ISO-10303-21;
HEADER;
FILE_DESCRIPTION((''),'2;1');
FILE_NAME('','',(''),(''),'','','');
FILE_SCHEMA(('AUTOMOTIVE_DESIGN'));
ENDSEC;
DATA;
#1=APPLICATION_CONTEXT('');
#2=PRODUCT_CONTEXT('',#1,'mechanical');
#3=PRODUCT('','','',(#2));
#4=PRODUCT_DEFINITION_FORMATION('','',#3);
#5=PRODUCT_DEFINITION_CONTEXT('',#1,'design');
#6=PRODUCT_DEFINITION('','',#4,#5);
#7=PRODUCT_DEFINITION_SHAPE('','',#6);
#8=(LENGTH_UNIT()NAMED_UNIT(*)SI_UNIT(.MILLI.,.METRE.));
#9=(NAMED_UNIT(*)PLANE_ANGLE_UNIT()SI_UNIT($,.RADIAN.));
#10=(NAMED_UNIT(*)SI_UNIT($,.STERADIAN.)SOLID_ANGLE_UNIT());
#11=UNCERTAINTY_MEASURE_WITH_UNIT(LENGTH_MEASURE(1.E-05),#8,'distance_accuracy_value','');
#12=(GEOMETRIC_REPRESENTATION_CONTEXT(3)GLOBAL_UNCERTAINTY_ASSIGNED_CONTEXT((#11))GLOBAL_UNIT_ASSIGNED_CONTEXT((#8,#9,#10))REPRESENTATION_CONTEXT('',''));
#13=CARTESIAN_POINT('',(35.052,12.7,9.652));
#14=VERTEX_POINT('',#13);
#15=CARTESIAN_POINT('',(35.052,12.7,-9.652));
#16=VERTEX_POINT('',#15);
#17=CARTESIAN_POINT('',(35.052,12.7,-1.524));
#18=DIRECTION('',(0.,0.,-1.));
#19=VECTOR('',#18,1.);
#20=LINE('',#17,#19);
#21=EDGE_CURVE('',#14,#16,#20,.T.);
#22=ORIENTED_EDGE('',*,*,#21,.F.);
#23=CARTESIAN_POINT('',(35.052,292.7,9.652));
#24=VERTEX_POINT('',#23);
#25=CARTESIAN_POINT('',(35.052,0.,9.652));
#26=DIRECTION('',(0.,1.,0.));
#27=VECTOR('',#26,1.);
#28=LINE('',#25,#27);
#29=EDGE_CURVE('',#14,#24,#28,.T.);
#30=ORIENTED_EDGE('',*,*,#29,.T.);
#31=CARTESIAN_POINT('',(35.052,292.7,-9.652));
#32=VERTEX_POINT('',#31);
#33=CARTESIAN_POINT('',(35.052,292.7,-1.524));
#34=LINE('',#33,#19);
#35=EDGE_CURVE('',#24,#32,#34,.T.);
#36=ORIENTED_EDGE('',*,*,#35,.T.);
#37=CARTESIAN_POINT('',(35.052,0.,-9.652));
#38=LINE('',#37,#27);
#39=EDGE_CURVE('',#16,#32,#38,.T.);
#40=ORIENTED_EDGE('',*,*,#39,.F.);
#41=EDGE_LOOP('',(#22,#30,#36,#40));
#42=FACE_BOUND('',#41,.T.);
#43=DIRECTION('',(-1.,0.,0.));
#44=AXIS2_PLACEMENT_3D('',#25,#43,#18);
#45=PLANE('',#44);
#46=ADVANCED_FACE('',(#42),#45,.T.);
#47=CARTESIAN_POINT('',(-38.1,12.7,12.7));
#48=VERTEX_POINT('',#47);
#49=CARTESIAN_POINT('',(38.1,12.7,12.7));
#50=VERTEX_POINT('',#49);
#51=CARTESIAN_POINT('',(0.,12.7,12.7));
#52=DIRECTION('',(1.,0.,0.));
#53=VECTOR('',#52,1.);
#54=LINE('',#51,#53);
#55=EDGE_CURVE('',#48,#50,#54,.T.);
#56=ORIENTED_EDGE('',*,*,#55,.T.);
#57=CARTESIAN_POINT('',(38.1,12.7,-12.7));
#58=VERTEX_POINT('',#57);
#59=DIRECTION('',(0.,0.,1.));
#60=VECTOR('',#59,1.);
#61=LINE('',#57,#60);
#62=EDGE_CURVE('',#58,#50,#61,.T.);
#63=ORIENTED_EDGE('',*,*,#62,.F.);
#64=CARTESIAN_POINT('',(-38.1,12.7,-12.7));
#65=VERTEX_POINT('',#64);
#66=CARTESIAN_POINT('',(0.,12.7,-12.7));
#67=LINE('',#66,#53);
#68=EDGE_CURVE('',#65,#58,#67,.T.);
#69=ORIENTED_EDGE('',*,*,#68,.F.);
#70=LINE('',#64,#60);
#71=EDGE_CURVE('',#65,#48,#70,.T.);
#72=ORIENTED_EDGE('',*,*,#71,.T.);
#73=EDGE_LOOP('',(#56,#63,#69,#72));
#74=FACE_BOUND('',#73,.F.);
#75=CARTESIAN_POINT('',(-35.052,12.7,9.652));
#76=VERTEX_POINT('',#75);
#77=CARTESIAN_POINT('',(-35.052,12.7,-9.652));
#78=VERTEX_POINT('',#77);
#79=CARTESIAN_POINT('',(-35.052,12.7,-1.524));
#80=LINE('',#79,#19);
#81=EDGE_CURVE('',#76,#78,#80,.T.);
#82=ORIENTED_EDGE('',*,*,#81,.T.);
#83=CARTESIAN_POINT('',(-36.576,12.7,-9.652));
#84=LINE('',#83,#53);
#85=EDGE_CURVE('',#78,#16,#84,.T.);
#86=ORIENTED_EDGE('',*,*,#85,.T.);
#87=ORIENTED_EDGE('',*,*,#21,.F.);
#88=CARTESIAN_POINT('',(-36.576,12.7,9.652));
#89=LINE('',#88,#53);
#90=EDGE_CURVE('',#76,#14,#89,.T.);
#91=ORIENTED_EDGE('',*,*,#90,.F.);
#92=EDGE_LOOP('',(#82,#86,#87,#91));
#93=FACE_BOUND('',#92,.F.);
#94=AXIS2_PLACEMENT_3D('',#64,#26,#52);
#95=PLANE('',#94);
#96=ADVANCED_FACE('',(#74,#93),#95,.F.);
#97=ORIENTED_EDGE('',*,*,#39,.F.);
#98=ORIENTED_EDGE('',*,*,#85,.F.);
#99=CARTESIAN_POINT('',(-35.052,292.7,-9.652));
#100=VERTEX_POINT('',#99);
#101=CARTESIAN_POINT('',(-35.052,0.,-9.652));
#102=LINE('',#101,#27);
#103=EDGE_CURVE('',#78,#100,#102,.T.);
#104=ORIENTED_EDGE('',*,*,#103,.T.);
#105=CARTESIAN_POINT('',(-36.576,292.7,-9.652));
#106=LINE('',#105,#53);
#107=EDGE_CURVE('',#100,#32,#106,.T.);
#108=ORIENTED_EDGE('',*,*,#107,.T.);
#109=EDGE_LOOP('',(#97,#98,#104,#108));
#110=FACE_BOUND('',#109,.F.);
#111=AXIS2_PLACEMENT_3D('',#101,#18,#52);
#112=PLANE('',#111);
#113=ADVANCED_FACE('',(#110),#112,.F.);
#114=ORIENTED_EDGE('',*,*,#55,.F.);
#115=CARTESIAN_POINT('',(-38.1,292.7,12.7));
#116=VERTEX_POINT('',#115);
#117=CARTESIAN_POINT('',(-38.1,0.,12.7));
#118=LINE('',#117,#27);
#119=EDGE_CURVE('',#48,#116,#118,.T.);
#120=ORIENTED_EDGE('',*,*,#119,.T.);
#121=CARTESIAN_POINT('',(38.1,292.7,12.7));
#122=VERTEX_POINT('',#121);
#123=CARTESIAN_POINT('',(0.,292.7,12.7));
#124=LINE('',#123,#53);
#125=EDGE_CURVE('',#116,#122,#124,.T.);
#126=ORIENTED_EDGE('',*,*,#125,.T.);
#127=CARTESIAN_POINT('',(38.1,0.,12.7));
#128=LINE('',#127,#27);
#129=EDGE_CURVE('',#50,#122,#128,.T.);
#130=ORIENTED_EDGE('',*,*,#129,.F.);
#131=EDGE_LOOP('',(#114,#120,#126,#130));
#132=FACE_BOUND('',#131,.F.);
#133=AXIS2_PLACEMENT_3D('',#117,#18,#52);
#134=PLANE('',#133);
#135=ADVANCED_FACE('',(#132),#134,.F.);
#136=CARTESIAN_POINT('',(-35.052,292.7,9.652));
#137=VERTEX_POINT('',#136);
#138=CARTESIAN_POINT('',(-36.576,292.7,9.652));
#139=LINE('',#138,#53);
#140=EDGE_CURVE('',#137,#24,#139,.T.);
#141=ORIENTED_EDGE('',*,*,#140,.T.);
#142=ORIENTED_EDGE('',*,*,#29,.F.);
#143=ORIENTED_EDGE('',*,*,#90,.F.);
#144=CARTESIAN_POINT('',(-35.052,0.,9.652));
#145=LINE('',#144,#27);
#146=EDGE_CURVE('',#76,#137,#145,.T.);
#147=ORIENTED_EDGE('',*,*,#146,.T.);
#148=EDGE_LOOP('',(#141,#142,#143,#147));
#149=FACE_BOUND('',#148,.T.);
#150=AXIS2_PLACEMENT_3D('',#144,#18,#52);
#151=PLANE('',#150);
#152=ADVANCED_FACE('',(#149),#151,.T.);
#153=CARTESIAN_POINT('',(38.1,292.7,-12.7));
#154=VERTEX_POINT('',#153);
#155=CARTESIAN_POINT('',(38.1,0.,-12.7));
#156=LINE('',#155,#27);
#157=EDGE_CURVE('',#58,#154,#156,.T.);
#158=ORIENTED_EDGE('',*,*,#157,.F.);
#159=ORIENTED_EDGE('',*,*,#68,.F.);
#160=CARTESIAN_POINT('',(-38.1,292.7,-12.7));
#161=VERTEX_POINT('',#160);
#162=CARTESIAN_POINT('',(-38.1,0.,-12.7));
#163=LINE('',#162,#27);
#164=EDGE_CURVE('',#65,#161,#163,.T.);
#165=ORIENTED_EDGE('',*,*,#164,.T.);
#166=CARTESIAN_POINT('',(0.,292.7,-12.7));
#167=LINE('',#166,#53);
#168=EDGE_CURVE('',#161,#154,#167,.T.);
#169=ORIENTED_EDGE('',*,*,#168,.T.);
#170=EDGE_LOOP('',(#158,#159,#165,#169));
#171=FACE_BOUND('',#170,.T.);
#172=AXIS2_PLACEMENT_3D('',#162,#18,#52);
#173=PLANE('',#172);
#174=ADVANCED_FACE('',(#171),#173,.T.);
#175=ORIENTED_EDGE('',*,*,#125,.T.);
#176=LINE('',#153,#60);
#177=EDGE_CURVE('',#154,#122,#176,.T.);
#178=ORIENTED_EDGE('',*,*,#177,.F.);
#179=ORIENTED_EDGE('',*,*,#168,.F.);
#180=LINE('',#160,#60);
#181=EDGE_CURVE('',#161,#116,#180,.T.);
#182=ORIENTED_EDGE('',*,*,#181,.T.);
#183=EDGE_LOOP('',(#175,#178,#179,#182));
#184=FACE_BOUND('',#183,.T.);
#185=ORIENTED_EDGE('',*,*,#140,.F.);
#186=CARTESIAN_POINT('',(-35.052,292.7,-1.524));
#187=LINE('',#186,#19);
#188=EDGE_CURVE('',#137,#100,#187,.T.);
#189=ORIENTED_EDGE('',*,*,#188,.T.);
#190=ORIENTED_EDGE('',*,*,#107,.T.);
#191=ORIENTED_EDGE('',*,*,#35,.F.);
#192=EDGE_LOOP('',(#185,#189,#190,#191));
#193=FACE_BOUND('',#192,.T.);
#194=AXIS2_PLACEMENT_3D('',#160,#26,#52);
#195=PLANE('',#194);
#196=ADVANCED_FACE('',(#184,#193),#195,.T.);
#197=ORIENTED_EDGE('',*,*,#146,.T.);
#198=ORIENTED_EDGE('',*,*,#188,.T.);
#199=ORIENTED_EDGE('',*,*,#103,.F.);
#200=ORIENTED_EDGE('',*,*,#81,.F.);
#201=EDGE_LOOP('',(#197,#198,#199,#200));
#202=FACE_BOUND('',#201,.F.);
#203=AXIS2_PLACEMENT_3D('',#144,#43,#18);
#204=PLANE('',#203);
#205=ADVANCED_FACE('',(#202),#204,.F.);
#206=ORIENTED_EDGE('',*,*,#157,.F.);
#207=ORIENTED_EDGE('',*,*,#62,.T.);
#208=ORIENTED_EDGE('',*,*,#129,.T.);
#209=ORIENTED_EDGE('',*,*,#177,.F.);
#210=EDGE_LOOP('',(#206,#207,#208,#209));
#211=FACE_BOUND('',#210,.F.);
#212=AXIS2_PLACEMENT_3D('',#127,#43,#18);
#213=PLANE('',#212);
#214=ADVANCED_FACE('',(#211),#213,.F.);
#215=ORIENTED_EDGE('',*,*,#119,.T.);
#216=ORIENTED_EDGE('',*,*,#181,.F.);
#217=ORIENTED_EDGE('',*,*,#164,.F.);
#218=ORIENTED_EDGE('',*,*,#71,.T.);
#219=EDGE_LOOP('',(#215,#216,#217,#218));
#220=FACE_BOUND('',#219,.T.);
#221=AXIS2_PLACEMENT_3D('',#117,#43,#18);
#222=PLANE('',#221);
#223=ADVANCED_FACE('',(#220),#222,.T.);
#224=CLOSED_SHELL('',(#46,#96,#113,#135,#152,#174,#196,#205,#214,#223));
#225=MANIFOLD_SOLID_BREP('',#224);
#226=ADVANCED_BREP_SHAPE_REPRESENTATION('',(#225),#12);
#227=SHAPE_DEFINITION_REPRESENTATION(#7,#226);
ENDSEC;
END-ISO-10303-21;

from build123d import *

# Parameters (mm, degrees)
SKETCH1_W           = 76.2
SKETCH1_H           = 25.4
SKETCH1_W_2         = 70.104
SKETCH1_H_2         = 19.304
BOSS_EXTRUDE1_DEPTH = 305.4
CUT_EXTRUDE1_START  = -12.7
SKETCH3_W           = 76.2
SKETCH3_H           = 25.4
CUT_EXTRUDE1_DEPTH  = 25.4
CUT_EXTRUDE2_START  = -12.7
SKETCH4_W           = 76.2
SKETCH4_H           = 25.4
CUT_EXTRUDE2_DEPTH  = 25.4


with BuildPart() as part:
    # Sketch1 → Boss-Extrude1 (new body)
    with BuildSketch(Plane(origin=(0, 0, 0), x_dir=(1, 0, 0), z_dir=(0, 1, 0))):
        Rectangle(SKETCH1_W, SKETCH1_H)
        Rectangle(SKETCH1_W_2, SKETCH1_H_2, mode=Mode.SUBTRACT)
    extrude(amount=BOSS_EXTRUDE1_DEPTH)

    # Sketch3 → Cut-Extrude1 (cut)
    with BuildSketch(Plane.XY.offset(CUT_EXTRUDE1_START)):
        Rectangle(SKETCH3_W, SKETCH3_H)
    extrude(amount=CUT_EXTRUDE1_DEPTH, mode=Mode.SUBTRACT)

    # Sketch4 → Cut-Extrude2 (cut)
    with BuildSketch(Plane(origin=(0, 305.4, 0), x_dir=(1, 0, 0), z_dir=(0, 0, 1)).offset(CUT_EXTRUDE2_START)):
        Rectangle(SKETCH4_W, SKETCH4_H)
    extrude(amount=CUT_EXTRUDE2_DEPTH, mode=Mode.SUBTRACT)


solid = part.part
